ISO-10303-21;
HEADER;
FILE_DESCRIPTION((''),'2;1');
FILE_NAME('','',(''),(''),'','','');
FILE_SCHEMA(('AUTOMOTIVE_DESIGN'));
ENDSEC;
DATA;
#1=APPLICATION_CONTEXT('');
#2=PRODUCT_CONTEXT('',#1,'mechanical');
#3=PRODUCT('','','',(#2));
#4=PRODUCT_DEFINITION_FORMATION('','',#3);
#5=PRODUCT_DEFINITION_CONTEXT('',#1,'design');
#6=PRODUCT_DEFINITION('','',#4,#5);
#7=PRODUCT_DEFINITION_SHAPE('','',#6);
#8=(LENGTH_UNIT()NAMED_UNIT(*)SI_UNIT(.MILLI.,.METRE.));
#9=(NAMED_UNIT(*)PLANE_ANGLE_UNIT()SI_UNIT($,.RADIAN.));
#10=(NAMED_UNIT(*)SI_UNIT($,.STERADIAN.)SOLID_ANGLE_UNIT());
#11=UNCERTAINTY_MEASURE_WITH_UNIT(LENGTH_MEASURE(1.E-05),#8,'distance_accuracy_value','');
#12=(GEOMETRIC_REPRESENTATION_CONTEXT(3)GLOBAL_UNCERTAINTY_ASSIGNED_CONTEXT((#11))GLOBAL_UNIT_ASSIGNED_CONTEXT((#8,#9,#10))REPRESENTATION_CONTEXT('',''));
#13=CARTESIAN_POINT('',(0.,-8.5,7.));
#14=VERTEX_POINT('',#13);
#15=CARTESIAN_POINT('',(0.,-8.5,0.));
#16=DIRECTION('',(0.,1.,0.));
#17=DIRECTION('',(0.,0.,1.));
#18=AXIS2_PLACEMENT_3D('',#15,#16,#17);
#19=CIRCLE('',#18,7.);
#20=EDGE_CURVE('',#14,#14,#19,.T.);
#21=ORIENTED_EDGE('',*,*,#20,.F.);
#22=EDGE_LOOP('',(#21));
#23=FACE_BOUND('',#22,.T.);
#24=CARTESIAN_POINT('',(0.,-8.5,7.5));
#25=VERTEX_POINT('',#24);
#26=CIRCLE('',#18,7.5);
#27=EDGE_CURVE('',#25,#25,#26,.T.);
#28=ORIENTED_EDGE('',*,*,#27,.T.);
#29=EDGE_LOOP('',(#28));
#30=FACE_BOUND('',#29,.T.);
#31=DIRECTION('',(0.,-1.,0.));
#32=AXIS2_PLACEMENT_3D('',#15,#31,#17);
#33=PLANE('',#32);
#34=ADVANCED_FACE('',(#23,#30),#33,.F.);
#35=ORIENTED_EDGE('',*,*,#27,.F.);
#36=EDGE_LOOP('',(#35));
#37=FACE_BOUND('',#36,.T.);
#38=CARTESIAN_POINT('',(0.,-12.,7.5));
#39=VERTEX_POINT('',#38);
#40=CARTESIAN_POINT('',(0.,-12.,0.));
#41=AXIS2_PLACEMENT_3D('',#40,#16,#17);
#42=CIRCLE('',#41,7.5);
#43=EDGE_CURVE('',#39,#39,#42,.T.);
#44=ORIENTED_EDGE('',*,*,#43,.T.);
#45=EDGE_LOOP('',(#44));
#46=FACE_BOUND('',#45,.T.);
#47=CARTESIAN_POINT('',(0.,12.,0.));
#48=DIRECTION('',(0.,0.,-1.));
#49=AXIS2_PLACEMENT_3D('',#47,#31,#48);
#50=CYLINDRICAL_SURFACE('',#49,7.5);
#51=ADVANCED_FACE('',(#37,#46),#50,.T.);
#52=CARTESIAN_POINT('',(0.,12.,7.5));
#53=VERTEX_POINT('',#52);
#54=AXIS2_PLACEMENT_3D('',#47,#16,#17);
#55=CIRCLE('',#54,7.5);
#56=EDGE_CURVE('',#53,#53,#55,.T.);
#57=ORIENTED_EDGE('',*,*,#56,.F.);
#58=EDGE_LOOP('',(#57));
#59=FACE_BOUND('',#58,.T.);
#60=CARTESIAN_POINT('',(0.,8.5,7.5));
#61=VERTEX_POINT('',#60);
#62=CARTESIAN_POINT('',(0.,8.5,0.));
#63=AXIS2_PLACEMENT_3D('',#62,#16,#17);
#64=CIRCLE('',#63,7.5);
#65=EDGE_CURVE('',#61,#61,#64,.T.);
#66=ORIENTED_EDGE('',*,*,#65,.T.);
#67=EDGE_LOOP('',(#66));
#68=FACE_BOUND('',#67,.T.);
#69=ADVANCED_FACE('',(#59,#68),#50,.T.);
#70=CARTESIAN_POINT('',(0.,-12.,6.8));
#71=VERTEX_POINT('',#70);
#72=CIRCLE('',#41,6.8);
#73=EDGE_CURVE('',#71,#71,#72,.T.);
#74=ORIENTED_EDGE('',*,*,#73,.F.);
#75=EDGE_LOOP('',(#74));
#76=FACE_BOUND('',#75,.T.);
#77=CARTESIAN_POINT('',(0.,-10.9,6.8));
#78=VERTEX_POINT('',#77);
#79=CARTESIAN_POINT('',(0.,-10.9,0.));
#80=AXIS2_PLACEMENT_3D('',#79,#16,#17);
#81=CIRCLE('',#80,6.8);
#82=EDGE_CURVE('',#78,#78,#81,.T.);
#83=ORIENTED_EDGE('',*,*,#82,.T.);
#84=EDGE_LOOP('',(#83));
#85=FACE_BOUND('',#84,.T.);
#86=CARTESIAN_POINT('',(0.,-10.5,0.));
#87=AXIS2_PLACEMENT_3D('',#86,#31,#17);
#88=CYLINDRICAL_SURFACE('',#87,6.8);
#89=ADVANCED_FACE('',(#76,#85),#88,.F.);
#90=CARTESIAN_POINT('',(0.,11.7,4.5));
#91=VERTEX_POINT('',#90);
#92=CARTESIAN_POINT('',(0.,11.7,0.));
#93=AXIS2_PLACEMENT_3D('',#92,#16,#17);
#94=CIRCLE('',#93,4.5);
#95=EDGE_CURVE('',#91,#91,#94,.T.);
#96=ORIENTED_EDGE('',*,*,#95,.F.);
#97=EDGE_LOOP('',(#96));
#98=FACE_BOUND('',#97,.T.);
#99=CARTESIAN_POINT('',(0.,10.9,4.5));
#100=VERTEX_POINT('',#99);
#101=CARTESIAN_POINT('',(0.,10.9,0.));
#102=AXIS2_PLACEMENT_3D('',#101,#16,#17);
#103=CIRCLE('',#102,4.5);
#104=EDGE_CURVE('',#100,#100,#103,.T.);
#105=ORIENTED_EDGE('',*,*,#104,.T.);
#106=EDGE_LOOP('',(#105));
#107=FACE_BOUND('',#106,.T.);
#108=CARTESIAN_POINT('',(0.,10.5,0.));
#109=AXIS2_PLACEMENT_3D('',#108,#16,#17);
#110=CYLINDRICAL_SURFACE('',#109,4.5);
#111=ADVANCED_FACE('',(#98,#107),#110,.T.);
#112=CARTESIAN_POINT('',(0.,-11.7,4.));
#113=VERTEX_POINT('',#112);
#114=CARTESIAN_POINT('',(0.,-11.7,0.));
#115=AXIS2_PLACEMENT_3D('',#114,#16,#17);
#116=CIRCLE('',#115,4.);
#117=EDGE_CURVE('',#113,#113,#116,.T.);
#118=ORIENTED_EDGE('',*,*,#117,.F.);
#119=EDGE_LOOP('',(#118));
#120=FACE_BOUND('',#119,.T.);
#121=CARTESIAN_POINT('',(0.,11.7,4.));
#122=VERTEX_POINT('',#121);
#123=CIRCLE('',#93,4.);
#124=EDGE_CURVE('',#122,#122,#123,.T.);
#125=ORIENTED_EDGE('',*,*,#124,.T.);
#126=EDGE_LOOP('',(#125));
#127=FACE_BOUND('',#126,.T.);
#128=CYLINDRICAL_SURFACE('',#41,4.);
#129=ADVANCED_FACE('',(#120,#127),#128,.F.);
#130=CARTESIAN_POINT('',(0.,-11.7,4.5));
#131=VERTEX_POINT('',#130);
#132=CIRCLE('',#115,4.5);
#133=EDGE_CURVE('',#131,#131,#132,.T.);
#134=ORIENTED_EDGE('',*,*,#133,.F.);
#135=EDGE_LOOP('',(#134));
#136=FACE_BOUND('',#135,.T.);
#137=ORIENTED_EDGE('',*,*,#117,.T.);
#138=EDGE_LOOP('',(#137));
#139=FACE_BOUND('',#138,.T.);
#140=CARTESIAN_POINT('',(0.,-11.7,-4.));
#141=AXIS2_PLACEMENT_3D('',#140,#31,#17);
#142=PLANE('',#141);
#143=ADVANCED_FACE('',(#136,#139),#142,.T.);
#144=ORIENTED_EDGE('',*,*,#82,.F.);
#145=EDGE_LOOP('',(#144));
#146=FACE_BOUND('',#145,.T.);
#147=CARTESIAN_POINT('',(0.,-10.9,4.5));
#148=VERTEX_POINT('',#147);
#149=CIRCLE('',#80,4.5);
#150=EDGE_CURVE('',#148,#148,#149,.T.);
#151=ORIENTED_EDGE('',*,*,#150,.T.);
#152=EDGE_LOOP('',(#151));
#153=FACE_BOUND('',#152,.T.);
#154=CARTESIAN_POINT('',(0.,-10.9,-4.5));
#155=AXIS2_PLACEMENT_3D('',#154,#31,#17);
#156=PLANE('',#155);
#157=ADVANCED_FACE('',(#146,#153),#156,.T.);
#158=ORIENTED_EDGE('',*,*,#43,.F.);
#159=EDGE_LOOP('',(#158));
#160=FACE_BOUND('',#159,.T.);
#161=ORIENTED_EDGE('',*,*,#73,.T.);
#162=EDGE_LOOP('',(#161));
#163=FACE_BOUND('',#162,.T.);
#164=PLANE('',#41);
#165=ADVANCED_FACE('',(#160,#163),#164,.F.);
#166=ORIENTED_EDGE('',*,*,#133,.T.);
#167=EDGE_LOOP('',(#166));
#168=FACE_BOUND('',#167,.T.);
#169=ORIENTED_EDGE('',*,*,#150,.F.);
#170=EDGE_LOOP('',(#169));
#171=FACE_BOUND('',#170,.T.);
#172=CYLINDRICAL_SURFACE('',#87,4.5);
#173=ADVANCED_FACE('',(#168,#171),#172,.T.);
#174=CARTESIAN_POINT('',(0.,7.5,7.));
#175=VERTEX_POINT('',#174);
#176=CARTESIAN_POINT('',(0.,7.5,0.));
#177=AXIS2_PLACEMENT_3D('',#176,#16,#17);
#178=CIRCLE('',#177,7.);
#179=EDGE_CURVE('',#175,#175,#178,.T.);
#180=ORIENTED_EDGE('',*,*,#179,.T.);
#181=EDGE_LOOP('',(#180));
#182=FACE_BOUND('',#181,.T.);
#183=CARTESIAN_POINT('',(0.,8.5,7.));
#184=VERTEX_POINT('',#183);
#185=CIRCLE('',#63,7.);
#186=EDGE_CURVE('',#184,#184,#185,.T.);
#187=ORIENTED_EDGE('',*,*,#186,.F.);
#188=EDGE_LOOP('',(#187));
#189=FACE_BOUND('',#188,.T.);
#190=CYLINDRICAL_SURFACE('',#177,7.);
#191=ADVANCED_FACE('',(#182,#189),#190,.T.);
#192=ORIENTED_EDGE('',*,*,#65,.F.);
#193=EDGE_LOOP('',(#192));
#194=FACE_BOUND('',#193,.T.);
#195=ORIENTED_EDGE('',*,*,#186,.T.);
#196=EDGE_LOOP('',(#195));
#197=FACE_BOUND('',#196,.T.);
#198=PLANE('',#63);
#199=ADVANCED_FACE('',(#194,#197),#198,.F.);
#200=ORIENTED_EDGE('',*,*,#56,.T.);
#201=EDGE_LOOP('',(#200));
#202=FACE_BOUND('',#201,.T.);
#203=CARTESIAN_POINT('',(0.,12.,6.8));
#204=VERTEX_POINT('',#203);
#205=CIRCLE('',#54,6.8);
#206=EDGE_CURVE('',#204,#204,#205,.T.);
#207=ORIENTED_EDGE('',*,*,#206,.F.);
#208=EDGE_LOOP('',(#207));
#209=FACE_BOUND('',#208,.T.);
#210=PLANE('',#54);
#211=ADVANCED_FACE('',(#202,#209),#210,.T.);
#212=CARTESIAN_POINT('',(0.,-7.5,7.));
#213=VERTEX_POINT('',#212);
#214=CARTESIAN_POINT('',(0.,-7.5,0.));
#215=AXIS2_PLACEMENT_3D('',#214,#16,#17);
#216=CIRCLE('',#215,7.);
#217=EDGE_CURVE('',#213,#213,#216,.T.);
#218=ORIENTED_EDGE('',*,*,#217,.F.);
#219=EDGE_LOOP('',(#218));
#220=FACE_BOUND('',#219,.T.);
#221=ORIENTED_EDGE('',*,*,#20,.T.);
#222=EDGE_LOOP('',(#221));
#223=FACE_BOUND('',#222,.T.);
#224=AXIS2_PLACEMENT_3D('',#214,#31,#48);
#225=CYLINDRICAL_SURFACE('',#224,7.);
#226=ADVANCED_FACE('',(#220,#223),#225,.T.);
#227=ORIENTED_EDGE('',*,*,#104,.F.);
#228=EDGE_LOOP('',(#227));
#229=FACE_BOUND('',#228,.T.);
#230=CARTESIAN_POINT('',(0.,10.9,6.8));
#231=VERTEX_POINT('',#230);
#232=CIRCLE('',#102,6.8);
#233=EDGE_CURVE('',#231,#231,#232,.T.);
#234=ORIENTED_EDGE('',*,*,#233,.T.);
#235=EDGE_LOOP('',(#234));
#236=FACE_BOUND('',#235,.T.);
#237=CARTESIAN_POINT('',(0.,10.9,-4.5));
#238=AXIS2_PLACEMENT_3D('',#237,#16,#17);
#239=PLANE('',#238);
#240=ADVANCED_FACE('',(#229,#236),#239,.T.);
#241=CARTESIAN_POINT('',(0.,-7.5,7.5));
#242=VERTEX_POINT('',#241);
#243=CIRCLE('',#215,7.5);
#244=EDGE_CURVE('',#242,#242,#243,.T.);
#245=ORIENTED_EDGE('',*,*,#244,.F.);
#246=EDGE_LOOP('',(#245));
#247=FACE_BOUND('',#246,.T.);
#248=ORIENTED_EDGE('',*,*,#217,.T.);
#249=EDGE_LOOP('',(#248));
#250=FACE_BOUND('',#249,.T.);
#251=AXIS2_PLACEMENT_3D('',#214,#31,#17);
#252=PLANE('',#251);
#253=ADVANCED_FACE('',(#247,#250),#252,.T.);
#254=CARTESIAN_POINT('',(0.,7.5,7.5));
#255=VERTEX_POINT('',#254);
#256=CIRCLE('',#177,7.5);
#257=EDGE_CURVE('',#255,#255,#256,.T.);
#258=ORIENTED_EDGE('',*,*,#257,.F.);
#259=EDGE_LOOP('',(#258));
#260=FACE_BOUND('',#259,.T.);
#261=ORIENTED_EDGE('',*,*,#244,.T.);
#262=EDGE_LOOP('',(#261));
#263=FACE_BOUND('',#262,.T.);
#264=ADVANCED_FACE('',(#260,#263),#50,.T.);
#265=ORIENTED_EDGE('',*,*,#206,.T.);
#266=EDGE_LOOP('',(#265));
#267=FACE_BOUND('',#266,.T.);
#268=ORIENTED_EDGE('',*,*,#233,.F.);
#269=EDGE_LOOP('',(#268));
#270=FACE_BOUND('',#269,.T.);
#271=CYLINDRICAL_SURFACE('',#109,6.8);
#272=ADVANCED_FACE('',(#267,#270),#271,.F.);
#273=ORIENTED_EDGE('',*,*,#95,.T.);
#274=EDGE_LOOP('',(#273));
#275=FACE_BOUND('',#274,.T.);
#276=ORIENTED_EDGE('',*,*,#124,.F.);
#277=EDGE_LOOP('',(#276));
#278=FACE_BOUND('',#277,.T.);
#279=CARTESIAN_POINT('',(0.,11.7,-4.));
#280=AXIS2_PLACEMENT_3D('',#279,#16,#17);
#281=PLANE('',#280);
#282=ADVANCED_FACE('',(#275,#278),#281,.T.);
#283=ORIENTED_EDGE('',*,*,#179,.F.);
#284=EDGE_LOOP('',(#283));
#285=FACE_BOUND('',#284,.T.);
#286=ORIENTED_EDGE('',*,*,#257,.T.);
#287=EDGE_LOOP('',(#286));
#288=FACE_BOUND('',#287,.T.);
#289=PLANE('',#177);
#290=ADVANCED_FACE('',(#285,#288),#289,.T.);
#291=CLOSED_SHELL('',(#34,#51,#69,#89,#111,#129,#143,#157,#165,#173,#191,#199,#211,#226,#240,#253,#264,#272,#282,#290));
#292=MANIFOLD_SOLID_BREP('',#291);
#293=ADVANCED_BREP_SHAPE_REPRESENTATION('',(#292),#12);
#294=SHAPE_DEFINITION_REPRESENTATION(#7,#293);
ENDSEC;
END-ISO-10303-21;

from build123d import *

# Parameters (mm, degrees)
SKETCH1_R           = 7.5
BOSS_EXTRUDE1_DEPTH = 12
SKETCH2_R           = 4
CUT_EXTRUDE1_DEPTH  = 24
CUT_EXTRUDE2_START  = -3.5
SKETCH3_R           = 7.5
SKETCH3_R_2         = 7
CUT_EXTRUDE2_DEPTH  = 1


with BuildPart() as part:
    # Sketch1 → Boss-Extrude1 (new, symmetric)
    with BuildSketch(Plane(origin=(0, 0, 0), x_dir=(1, 0, 0), z_dir=(0, 1, 0))):
        with Locations(Location((0, 0, 0), (0, 0, 270))):
            Circle(SKETCH1_R)
    extrude(amount=BOSS_EXTRUDE1_DEPTH, both=True)

    # Sketch2 → Cut-Extrude1 (cut)
    with BuildSketch(Plane(origin=(0, 12, 0), x_dir=(1, 0, 0), z_dir=(0, 1, 0))):
        with Locations(Location((0, 0, 0), (0, 0, 270))):
            Circle(SKETCH2_R)
    extrude(amount=-CUT_EXTRUDE1_DEPTH, mode=Mode.SUBTRACT)

    # Sketch3 → Cut-Extrude2 (cut)
    with BuildSketch(Plane(origin=(0, 12, 0), x_dir=(1, 0, 0), z_dir=(0, 1, 0)).offset(CUT_EXTRUDE2_START)):
        with Locations(Location((0, 0, 0), (0, 0, 270))):
            Circle(SKETCH3_R)
        with Locations(Location((0, 0, 0), (0, 0, 270))):
            Circle(SKETCH3_R_2, mode=Mode.SUBTRACT)
    cut_extrude2 = extrude(amount=-CUT_EXTRUDE2_DEPTH, mode=Mode.SUBTRACT)

    # Sketch4 → Cut-Revolve1 (revolve, cut)
    with BuildSketch(Plane(origin=(0, 0, 0), x_dir=(0, 0, -1), z_dir=(1, 0, 0)), mode=Mode.PRIVATE) as cut_revolve1_sk:
        Polygon((4, 12), (4, 11.7), (4.5, 11.7), (4.5, 10.9), (6.8, 10.9), (6.8, 12), align=None)
    cut_revolve1 = revolve(cut_revolve1_sk.sketch.rotate(Axis((0, 10.5, 0), (0, -1, 0)), 180), axis=Axis((0, 10.5, 0), (0, -1, 0)), mode=Mode.SUBTRACT)

    # Mirror1: Cut-Extrude2, Cut-Revolve1 across plane
    add(cut_extrude2.mirror(Plane.ZX), mode=Mode.SUBTRACT)
    add(cut_revolve1.mirror(Plane.ZX), mode=Mode.SUBTRACT)


solid = part.part
